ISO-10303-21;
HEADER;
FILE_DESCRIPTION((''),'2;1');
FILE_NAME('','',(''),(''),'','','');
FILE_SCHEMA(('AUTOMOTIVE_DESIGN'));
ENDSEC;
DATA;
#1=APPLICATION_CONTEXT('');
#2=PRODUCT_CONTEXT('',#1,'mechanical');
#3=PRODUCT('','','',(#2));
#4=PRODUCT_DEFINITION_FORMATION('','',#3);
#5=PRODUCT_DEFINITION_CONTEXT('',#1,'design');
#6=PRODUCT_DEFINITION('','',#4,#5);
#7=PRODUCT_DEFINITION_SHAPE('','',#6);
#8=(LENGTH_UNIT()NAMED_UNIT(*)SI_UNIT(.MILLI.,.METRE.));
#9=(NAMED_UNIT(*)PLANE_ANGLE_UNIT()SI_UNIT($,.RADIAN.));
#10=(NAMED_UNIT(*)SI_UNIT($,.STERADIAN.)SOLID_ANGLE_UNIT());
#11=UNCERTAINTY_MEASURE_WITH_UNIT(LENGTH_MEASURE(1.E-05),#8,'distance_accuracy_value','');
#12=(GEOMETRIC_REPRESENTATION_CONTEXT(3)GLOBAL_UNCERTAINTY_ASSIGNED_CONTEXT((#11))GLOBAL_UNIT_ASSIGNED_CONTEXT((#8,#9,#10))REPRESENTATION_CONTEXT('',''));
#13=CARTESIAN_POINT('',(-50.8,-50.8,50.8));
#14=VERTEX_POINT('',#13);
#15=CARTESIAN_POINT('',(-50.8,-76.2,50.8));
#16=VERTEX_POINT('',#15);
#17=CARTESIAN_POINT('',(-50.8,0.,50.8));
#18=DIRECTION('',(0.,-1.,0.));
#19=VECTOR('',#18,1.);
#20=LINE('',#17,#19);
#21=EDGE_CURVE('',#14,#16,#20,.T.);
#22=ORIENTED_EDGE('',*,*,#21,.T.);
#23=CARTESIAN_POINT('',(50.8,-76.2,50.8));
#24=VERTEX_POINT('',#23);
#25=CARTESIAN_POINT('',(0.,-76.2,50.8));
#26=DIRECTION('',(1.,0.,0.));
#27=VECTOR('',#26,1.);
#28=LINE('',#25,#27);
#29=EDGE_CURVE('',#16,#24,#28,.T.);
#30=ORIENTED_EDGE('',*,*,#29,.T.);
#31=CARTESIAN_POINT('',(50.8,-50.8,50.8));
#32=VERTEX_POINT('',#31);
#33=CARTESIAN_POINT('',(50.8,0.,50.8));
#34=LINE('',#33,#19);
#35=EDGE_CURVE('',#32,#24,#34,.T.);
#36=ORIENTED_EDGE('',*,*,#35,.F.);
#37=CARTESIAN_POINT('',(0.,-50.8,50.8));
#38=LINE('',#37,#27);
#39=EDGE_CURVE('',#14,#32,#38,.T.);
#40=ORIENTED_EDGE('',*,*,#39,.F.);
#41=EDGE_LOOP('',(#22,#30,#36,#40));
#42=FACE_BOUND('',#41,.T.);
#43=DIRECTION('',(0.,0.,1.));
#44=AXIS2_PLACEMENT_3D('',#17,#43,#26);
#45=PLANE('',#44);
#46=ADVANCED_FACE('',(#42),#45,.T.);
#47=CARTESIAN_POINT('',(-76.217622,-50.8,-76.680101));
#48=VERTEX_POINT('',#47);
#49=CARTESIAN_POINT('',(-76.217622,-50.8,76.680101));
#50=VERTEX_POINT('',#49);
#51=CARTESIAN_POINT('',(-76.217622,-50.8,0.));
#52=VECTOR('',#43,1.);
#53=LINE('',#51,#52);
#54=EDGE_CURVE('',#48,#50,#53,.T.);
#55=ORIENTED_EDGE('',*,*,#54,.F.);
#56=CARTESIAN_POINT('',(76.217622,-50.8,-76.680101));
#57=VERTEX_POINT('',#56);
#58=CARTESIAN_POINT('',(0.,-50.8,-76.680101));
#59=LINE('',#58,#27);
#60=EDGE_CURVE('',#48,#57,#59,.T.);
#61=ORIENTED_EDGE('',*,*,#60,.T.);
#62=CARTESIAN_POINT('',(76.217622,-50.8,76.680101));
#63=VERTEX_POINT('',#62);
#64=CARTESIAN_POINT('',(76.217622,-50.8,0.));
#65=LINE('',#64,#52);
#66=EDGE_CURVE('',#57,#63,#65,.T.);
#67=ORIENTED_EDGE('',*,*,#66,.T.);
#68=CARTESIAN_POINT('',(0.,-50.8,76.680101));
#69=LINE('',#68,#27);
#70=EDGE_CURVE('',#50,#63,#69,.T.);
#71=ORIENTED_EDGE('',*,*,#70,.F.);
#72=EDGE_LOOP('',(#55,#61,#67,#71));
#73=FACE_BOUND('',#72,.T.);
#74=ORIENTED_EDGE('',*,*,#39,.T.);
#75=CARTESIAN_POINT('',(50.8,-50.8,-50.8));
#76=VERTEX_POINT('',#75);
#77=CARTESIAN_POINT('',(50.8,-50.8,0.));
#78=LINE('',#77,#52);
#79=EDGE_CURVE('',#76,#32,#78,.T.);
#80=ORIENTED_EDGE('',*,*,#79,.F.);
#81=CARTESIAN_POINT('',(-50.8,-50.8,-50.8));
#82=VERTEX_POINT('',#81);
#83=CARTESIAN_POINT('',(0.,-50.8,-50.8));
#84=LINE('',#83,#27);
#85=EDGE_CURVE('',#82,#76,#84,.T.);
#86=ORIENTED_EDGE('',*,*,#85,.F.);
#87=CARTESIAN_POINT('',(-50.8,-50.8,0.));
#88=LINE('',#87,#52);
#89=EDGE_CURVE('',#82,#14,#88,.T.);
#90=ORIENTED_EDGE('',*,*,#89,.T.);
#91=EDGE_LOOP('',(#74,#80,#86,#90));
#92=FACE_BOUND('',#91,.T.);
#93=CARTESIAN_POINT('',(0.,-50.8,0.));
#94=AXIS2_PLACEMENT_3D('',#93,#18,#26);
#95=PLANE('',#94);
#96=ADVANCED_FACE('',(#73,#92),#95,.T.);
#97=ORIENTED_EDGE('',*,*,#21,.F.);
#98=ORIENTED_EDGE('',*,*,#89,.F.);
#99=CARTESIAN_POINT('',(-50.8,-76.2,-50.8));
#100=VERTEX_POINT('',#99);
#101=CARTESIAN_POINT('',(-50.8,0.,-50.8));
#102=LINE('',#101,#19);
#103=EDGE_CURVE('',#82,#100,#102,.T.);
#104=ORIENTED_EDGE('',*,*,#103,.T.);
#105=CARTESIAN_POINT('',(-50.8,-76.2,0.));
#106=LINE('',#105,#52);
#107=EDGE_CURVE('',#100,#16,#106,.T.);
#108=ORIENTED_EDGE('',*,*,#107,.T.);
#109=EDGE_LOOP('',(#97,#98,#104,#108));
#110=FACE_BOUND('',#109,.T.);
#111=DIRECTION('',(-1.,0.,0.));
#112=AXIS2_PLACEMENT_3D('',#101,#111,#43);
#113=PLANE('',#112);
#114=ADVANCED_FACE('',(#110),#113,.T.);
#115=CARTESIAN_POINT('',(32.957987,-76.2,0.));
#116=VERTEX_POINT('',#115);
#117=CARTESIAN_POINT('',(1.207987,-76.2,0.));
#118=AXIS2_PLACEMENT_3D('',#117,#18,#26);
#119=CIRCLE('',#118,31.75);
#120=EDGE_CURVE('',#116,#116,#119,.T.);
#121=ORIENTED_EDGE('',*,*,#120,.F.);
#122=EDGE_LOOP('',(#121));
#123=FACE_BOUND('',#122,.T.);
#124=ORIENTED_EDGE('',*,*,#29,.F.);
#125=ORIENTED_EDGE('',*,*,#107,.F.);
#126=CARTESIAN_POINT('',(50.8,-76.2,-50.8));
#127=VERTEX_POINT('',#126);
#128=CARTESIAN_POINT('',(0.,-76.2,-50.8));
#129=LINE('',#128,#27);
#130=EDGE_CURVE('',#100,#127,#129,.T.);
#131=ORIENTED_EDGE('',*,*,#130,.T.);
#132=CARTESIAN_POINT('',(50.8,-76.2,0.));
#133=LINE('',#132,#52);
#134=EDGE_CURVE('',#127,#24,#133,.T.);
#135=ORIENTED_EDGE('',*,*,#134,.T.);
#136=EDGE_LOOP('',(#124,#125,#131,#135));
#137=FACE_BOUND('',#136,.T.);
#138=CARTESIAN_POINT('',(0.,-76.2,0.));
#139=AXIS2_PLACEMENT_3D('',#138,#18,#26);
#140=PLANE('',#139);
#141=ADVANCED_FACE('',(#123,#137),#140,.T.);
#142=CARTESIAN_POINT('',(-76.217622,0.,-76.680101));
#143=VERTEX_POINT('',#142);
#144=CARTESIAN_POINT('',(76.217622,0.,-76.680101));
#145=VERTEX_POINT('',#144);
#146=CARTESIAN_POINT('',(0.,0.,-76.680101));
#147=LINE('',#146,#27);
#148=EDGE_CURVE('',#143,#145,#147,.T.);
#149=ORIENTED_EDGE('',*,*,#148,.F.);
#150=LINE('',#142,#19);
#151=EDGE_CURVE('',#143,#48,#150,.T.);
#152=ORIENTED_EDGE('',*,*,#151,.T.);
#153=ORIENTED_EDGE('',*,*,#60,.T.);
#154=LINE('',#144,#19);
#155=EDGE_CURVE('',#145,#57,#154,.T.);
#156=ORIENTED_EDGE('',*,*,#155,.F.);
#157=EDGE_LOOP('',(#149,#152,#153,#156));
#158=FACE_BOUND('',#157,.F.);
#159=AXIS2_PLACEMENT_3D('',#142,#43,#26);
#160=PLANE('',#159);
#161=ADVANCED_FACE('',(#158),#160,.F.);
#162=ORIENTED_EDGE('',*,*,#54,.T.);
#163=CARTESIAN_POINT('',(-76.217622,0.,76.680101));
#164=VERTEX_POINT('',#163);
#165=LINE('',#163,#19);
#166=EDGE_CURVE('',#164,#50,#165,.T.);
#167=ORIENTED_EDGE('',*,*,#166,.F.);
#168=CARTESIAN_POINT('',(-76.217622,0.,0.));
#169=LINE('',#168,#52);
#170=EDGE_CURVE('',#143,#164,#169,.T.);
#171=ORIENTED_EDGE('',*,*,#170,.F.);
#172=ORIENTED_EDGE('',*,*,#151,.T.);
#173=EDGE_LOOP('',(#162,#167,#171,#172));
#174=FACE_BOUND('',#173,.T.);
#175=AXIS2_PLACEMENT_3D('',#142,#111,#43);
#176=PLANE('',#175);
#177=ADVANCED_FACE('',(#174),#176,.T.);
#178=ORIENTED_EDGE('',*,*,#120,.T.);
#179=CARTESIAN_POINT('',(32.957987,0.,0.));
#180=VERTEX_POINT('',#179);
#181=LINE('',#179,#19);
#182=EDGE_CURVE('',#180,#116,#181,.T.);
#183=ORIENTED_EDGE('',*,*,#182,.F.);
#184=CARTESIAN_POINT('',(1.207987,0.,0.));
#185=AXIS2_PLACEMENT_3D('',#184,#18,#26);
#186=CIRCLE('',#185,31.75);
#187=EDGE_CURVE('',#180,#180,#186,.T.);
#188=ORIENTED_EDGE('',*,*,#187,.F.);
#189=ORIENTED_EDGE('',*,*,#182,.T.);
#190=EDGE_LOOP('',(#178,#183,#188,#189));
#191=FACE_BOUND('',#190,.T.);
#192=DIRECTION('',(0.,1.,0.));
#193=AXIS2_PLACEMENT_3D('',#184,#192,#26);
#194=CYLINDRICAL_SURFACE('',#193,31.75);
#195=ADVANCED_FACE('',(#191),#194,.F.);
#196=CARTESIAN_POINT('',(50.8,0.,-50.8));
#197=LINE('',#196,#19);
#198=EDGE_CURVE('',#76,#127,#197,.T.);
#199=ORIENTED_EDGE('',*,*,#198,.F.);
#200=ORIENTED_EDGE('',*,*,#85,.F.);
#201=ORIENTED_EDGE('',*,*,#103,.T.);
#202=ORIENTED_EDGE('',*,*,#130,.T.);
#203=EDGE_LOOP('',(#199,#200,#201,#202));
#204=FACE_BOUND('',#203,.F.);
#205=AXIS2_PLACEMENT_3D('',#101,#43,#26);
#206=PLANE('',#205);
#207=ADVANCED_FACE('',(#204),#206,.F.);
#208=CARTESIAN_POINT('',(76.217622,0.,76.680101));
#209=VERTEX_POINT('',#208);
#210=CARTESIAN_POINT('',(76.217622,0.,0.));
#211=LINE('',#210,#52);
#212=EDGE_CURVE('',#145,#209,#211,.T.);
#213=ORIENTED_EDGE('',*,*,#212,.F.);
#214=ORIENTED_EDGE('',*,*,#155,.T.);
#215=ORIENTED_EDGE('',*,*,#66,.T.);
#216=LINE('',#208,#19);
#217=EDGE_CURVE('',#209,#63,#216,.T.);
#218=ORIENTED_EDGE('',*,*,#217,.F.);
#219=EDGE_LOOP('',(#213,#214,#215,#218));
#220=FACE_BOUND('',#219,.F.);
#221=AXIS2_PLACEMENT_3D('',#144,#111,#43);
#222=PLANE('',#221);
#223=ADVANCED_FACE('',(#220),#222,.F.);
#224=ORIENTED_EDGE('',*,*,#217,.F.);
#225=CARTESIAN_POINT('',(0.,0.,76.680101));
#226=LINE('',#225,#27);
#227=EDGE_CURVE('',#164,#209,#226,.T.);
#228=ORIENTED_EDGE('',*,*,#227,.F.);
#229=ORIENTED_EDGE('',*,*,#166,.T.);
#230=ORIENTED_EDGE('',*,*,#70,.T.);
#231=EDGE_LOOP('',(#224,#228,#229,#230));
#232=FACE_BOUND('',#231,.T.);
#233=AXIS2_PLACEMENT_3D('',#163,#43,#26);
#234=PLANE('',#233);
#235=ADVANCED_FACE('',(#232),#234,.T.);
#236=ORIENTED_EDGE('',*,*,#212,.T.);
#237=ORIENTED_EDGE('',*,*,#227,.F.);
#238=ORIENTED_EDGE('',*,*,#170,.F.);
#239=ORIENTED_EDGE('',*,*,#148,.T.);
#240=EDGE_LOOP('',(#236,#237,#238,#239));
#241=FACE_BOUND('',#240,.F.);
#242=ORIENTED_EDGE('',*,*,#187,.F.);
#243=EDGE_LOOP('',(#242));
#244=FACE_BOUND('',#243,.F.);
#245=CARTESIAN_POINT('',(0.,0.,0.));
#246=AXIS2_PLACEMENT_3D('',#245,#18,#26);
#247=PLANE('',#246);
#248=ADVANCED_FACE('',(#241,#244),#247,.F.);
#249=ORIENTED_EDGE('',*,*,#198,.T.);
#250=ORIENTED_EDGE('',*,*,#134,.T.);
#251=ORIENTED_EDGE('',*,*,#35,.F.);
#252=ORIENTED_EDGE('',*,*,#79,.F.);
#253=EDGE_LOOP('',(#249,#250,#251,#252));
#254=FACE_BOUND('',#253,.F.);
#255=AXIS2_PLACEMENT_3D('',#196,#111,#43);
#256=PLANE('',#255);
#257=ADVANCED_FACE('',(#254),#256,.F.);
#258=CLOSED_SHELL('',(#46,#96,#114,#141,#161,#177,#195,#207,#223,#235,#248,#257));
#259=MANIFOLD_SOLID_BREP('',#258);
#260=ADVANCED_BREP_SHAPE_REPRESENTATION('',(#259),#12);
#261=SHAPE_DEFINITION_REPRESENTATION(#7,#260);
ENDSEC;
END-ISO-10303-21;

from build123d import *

# Parameters (mm, degrees)
F0_W     = 101.6
F0_H     = 101.6
F0_R     = 31.75
F1_DEPTH = 76.2
F0_W_2   = 152.435244
F0_H_2   = 153.360202
F2_DEPTH = 50.8


with BuildPart() as f1:
    # F0 (on Front) → F1 (new body)
    with BuildSketch(Plane.XZ):
        Rectangle(F0_W, F0_H)
        with Locations((1.207987, 0)):
            Circle(F0_R, mode=Mode.SUBTRACT)
    extrude(amount=F1_DEPTH)

    # F0 (on Front) → F2 (join)
    with BuildSketch(Plane.XZ):
        Rectangle(F0_W_2, F0_H_2)
        Rectangle(F0_W, F0_H, mode=Mode.SUBTRACT)
    extrude(amount=F2_DEPTH)


solid = f1.part
